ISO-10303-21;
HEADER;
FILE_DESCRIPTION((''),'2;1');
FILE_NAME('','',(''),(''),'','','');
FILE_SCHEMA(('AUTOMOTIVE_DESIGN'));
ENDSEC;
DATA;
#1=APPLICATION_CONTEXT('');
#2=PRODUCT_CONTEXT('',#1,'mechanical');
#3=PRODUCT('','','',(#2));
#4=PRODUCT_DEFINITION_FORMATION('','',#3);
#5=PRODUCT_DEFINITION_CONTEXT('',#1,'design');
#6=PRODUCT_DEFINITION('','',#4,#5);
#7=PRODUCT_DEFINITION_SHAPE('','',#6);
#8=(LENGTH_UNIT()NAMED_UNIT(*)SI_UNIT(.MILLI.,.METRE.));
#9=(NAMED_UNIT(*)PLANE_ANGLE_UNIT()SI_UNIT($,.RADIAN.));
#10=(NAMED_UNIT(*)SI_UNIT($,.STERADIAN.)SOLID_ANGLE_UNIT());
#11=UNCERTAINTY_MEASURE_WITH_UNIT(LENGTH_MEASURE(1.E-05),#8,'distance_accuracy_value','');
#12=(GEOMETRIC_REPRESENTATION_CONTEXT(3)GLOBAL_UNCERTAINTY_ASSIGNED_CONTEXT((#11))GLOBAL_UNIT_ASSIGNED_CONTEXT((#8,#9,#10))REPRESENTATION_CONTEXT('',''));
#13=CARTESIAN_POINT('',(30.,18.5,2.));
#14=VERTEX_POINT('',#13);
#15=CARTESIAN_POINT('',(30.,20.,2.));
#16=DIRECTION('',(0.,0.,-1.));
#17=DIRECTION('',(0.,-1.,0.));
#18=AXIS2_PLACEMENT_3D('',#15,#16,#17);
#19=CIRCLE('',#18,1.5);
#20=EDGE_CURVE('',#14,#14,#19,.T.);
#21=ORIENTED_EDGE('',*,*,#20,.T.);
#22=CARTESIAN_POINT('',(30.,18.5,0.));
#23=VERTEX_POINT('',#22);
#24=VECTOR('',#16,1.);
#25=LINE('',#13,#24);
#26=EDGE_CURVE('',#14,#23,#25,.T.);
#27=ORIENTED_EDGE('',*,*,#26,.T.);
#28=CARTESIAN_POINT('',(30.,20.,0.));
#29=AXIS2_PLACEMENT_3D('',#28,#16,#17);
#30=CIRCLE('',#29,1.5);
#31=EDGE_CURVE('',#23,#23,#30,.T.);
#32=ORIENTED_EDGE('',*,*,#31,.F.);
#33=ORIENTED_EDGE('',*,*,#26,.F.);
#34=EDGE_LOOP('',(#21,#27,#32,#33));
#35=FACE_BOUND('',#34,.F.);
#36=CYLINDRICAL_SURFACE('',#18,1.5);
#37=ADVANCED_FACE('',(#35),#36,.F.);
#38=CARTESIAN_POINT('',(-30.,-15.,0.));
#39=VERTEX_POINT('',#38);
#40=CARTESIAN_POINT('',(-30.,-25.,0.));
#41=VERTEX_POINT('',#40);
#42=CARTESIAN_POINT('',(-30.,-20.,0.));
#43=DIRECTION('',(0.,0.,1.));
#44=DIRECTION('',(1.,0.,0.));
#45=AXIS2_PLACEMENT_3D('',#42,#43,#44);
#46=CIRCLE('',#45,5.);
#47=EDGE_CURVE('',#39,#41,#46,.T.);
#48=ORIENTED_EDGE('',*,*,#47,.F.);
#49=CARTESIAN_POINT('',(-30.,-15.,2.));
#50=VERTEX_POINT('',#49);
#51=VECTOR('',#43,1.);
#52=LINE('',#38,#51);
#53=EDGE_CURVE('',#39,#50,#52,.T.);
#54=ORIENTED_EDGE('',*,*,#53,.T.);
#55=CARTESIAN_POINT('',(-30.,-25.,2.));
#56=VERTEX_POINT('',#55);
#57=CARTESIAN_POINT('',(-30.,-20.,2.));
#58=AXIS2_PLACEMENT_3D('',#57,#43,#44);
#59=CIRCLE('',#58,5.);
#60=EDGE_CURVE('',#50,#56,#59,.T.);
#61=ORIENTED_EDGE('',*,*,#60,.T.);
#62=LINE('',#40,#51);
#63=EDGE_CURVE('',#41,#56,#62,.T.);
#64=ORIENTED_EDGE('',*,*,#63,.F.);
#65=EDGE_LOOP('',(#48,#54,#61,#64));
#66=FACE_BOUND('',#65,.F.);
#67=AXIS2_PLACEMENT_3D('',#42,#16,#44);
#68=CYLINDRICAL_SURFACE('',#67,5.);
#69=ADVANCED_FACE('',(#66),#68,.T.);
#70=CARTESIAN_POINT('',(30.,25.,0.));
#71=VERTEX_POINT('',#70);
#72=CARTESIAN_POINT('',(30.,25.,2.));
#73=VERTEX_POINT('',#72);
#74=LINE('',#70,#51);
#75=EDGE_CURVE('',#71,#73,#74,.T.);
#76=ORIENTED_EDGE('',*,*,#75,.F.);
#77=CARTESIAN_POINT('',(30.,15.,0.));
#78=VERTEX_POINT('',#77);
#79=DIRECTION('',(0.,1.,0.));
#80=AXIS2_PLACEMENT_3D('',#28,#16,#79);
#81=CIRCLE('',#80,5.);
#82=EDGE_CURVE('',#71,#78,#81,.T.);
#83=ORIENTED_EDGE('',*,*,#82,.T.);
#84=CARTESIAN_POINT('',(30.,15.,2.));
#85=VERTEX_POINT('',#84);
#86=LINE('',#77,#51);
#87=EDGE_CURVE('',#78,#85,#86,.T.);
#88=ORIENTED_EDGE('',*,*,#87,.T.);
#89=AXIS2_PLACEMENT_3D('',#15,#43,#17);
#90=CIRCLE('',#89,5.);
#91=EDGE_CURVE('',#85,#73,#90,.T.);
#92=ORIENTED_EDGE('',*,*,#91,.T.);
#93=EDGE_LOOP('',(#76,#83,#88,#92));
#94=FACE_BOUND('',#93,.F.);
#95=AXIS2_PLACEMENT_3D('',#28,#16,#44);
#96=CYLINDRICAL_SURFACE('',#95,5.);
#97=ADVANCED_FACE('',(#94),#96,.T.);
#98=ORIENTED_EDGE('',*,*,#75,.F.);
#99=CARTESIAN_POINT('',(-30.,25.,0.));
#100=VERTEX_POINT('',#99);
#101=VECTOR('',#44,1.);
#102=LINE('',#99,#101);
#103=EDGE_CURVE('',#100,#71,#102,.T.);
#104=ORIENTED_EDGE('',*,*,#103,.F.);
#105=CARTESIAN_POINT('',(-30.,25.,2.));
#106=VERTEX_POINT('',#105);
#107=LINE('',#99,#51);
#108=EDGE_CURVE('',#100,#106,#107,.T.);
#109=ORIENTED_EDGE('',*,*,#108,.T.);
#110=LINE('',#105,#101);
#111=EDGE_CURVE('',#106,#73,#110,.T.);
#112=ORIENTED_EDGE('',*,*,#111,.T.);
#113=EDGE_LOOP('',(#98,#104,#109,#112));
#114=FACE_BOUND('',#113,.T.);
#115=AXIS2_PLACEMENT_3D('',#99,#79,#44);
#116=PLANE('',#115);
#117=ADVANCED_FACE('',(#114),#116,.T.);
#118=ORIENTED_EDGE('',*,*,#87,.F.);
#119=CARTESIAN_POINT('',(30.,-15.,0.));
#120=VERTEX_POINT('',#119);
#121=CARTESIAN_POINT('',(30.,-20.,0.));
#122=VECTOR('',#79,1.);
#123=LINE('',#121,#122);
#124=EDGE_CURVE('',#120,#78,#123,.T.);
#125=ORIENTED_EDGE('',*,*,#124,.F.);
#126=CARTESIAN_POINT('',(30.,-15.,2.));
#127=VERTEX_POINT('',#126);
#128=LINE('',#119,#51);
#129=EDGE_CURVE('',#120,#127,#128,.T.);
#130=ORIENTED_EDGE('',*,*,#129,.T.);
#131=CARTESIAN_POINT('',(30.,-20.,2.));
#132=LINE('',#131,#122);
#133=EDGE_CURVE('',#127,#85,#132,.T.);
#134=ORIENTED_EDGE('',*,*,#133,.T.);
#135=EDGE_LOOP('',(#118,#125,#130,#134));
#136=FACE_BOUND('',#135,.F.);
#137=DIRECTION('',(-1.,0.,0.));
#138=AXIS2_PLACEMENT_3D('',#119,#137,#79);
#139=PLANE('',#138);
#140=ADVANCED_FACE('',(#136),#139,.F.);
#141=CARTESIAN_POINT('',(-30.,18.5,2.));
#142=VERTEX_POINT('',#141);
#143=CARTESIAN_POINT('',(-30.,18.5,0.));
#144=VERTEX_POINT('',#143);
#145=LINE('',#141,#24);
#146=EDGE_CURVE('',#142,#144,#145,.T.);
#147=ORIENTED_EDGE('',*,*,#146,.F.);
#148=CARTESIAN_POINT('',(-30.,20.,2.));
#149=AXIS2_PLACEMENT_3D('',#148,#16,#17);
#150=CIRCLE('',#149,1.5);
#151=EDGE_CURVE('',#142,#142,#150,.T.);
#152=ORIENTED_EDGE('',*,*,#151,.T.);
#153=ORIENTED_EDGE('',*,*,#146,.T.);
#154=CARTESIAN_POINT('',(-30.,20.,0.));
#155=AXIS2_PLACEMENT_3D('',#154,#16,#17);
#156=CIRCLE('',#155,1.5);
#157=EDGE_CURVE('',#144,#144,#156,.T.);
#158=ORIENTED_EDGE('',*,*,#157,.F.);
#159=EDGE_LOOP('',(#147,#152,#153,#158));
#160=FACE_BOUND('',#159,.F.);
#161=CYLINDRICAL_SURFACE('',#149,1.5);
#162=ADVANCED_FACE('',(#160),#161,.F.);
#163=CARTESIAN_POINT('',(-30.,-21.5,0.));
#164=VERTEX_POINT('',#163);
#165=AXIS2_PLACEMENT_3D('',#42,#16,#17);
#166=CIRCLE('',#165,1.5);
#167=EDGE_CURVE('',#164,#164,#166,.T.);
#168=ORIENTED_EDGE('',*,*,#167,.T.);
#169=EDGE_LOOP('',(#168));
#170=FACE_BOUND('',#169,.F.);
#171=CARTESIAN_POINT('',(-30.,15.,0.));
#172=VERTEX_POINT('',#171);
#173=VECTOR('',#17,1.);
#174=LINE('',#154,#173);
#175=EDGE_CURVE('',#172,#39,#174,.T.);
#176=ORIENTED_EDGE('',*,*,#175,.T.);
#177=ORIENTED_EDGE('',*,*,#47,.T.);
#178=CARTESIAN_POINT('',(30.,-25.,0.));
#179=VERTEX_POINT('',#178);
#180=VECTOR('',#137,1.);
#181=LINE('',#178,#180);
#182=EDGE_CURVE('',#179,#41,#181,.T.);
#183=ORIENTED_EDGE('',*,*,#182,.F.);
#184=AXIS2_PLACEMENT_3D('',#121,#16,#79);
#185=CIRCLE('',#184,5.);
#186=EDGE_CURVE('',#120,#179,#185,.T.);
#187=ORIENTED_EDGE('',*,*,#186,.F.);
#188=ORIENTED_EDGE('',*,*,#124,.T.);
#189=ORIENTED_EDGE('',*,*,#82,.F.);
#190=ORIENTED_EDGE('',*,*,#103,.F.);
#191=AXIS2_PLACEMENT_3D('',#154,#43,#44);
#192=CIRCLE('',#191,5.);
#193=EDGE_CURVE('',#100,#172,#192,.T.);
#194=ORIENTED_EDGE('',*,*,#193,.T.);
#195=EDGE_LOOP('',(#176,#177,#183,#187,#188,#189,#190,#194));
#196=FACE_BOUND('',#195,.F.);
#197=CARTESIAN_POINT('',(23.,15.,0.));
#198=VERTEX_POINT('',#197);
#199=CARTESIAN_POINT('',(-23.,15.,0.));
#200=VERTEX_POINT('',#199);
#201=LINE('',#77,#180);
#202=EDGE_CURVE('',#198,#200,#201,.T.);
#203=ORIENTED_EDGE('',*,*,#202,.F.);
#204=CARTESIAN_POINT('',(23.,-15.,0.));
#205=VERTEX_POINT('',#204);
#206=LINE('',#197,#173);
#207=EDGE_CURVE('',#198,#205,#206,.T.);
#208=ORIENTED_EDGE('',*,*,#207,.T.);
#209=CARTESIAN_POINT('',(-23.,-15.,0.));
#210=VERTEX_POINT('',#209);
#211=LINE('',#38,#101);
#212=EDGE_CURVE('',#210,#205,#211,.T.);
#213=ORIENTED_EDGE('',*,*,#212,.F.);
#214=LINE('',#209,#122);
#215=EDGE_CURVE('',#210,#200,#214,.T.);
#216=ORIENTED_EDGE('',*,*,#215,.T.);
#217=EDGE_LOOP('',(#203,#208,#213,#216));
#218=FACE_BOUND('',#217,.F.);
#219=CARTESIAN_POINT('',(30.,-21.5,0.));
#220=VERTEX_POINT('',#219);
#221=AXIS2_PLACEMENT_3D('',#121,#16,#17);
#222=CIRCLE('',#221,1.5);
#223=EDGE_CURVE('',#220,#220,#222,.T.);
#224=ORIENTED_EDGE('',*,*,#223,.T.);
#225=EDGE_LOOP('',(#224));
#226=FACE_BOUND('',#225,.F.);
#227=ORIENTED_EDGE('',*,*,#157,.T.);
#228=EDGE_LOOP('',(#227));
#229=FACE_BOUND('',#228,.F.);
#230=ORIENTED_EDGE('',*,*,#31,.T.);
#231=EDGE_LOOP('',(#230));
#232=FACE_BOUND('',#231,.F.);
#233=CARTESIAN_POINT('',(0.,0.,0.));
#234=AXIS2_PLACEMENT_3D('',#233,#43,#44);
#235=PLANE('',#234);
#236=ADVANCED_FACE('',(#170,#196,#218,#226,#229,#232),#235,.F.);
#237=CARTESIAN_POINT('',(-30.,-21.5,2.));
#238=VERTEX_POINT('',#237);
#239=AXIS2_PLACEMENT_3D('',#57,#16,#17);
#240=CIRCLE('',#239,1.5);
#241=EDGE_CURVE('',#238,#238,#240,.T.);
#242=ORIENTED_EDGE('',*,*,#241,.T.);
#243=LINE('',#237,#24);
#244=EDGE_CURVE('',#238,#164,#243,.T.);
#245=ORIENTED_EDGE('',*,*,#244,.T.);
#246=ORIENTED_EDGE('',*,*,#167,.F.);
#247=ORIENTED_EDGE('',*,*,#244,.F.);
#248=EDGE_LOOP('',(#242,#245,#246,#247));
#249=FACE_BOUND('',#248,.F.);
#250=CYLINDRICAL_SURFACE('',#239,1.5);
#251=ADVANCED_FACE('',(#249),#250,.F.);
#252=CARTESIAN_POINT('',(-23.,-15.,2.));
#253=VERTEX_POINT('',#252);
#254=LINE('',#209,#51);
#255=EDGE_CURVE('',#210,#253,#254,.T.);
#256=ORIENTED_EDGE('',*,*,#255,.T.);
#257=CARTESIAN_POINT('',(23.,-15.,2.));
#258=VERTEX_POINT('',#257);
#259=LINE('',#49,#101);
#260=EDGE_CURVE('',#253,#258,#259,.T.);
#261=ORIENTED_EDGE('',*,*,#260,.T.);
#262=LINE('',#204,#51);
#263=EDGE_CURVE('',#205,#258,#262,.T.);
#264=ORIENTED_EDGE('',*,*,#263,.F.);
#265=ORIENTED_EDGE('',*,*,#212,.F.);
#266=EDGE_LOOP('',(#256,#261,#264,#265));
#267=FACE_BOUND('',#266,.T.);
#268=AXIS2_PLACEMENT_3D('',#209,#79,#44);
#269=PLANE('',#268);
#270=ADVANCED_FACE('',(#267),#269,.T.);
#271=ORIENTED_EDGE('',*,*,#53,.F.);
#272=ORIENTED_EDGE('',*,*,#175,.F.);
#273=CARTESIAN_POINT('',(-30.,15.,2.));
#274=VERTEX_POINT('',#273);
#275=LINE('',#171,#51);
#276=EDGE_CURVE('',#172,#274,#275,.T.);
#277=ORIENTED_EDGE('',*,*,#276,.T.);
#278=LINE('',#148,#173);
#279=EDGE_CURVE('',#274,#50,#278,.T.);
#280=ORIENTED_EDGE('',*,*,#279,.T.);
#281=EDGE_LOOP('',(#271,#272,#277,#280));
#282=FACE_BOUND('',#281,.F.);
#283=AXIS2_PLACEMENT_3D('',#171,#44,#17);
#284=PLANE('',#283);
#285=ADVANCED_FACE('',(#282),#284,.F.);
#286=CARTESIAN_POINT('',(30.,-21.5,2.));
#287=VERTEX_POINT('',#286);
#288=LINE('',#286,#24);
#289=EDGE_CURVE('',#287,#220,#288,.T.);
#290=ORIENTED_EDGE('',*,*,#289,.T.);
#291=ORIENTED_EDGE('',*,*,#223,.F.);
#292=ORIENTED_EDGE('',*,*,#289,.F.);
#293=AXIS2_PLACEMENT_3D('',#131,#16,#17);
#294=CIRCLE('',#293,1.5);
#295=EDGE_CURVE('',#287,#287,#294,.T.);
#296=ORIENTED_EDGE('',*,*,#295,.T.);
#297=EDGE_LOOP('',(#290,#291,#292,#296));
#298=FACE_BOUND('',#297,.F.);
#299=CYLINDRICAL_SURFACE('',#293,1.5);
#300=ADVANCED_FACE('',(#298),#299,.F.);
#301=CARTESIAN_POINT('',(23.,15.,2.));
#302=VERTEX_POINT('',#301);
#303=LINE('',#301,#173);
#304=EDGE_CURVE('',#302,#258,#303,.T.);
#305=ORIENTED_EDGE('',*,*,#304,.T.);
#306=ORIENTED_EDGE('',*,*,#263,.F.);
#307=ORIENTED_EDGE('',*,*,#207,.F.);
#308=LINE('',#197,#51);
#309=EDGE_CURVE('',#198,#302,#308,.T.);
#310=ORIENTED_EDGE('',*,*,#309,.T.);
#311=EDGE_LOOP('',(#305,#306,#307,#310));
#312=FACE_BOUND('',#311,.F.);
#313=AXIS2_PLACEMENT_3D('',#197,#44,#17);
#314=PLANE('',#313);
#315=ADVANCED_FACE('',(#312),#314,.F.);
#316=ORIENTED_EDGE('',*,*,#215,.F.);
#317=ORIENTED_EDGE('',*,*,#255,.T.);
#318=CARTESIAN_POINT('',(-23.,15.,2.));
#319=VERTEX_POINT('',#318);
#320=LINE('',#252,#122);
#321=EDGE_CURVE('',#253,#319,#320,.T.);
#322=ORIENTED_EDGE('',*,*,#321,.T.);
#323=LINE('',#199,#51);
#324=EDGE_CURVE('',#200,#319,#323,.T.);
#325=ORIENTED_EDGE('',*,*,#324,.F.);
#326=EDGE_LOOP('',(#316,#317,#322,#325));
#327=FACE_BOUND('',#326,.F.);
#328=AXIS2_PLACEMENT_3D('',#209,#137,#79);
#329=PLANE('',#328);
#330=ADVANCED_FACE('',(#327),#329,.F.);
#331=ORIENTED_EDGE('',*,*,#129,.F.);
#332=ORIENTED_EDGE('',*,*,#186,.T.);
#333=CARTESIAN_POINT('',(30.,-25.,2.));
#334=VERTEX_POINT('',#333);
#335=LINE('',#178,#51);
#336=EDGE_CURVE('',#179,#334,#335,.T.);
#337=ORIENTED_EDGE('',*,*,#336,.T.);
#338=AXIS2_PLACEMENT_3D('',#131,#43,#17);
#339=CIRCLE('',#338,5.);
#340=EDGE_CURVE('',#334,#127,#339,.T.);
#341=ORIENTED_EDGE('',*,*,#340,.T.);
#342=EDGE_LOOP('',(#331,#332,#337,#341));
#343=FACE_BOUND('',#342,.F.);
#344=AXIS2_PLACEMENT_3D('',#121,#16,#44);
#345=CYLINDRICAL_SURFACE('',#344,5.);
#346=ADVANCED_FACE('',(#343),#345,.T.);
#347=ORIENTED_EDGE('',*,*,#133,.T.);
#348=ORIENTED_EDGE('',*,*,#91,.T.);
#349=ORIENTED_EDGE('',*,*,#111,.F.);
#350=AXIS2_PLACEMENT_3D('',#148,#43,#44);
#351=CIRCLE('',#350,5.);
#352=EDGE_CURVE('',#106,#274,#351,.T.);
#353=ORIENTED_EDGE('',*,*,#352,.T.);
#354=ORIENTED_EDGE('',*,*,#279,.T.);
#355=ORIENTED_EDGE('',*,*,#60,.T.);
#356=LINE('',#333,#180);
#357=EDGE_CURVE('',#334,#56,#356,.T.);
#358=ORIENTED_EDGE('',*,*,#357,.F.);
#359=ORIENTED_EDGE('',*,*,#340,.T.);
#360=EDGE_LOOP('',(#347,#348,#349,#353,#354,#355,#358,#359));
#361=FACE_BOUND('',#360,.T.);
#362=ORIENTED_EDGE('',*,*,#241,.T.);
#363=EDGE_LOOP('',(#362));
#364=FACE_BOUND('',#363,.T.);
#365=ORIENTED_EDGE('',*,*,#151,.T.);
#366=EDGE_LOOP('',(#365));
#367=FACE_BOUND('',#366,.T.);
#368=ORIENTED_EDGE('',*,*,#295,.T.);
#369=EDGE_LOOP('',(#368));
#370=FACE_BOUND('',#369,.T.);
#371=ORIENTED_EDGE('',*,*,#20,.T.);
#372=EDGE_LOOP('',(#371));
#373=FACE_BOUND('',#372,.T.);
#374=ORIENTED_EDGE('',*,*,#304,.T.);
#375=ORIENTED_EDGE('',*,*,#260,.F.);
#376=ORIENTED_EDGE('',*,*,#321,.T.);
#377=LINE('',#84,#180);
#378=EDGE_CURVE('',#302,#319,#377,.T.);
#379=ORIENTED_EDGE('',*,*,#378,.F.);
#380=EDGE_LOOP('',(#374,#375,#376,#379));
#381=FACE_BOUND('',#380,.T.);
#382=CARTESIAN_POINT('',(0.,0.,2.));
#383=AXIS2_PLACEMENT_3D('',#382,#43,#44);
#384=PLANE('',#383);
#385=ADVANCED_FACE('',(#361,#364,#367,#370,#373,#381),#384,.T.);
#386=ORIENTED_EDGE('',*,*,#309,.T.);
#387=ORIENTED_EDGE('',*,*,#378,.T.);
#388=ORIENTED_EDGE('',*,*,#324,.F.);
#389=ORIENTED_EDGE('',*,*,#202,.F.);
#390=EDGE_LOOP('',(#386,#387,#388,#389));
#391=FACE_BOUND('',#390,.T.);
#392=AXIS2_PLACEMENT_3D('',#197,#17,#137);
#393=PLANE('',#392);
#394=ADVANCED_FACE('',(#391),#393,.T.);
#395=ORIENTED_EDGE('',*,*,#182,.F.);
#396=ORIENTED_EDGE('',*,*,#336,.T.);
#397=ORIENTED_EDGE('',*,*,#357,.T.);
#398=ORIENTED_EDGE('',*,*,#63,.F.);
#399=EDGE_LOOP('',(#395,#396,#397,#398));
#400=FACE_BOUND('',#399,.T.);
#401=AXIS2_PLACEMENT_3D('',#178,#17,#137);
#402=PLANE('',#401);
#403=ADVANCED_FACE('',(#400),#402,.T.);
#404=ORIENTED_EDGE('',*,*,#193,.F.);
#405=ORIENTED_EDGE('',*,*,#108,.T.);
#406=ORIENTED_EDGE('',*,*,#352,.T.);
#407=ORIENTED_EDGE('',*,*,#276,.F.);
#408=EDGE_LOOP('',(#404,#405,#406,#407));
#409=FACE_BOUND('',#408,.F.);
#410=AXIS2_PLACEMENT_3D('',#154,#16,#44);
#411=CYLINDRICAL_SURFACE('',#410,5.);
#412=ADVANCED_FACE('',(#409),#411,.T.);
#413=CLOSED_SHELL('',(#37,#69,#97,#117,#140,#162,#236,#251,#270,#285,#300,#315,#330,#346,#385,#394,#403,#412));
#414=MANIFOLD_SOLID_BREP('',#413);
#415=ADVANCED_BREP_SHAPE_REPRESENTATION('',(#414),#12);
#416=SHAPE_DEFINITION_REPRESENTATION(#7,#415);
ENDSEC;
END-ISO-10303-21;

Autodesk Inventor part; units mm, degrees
ref_plane "YZ Plane" through (0, 0, 0) normal (1, 0, 0) x (0, 1, 0)
ref_plane "XZ Plane" through (0, 0, 0) normal (0, 1, 0) x (-1, 0, 0)
ref_plane "XY Plane" through (0, 0, 0) normal (0, 0, 1) x (1, 0, 0)
sketch "Skizze1" plane through (0, 0, 0) normal (0, 0, 1) x (1, 0, 0)
  line L0 (-30, -20) -> (30, -20)
  line L1 (30, -20) -> (30, 20)
  line L2 (30, 20) -> (-30, 20)
  line L3 (-30, 20) -> (-30, -20)
  line L4 (-30, -20) -> (30, 20) construction
  line L5 (30, -20) -> (-30, 20) construction
  circle A0 centre (-30, 20) radius 5
  circle A1 centre (-30, -20) radius 5
  circle A2 centre (30, -20) radius 5
  circle A3 centre (30, 20) radius 5
  line L6 (-30, 25) -> (30, 25)
  line L7 (30, 25) -> (30, 15)
  line L8 (30, 15) -> (-30, 15)
  line L9 (-30, 15) -> (-30, 25)
  line L10 (-30, -15) -> (30, -15)
  line L11 (30, -15) -> (30, -25)
  line L12 (30, -25) -> (-30, -25)
  line L13 (-30, -25) -> (-30, -15)
  line L14 (-23, 15) -> (23, 15)
  line L15 (23, 15) -> (23, -15)
  line L16 (23, -15) -> (-23, -15)
  line L17 (-23, -15) -> (-23, 15)
  point P0 (0, 0)
  dimension "d0" = 40
  dimension "d1" = 60
  dimension "d2" = 7
  dimension "d3" = 10
  dimension "d4" = 7
extrude "Extrusion1" add sketch "Skizze1" along normal blind 2 contours L3 A1 L0 | L13 A1 L3 | L0 A1 L13 | A1 L10 A2 L0 | L0 A2 L12 A1 | L3 L8 L17 L10 | A2 L1 L0 | L0 L11 A2 | A0 L9 L3 | L3 L2 A0 | A0 L2 A3 L8 | L11 L1 A2 | L10 L15 L8 L1 | L9 A0 L2 | L6 A3 L2 A0 | A3 L2 L1 | L1 L7 A3 | L7 L2 A3
sketch "Skizze2" plane through (0, 0, 2) normal (0, 0, 1) x (1, 0, 0)
  line L0 (23, -15) -> (-23, -15) projected
  line L1 (-23, -15) -> (-23, 15) projected
  line L2 (-23, 15) -> (23, 15) projected
  line L3 (23, 15) -> (23, -15) projected
  line L4 (30, -15) -> (30, 15) projected
  arc A0 (30, 15) -> (30, 25) centre (30, 20) ccw projected
  line L5 (30, 25) -> (-30, 25) projected
  arc A1 (-30, 25) -> (-30, 15) centre (-30, 20) ccw projected
  line L6 (-30, 15) -> (-30, -15) projected
  arc A2 (-30, -15) -> (-30, -25) centre (-30, -20) ccw projected
  line L7 (-30, -25) -> (30, -25) projected
  arc A3 (30, -25) -> (30, -15) centre (30, -20) ccw projected
  point P0 (0, 0)
hole "Bohrung1" at (-30, 20, 2) at (-30, -20, 2) at (30, -20, 2) at (30, 20, 2) direction (0, 0, -1) diameter 3 end through all
equation "\"d4\" = d2"
properties part number "templateMount"
